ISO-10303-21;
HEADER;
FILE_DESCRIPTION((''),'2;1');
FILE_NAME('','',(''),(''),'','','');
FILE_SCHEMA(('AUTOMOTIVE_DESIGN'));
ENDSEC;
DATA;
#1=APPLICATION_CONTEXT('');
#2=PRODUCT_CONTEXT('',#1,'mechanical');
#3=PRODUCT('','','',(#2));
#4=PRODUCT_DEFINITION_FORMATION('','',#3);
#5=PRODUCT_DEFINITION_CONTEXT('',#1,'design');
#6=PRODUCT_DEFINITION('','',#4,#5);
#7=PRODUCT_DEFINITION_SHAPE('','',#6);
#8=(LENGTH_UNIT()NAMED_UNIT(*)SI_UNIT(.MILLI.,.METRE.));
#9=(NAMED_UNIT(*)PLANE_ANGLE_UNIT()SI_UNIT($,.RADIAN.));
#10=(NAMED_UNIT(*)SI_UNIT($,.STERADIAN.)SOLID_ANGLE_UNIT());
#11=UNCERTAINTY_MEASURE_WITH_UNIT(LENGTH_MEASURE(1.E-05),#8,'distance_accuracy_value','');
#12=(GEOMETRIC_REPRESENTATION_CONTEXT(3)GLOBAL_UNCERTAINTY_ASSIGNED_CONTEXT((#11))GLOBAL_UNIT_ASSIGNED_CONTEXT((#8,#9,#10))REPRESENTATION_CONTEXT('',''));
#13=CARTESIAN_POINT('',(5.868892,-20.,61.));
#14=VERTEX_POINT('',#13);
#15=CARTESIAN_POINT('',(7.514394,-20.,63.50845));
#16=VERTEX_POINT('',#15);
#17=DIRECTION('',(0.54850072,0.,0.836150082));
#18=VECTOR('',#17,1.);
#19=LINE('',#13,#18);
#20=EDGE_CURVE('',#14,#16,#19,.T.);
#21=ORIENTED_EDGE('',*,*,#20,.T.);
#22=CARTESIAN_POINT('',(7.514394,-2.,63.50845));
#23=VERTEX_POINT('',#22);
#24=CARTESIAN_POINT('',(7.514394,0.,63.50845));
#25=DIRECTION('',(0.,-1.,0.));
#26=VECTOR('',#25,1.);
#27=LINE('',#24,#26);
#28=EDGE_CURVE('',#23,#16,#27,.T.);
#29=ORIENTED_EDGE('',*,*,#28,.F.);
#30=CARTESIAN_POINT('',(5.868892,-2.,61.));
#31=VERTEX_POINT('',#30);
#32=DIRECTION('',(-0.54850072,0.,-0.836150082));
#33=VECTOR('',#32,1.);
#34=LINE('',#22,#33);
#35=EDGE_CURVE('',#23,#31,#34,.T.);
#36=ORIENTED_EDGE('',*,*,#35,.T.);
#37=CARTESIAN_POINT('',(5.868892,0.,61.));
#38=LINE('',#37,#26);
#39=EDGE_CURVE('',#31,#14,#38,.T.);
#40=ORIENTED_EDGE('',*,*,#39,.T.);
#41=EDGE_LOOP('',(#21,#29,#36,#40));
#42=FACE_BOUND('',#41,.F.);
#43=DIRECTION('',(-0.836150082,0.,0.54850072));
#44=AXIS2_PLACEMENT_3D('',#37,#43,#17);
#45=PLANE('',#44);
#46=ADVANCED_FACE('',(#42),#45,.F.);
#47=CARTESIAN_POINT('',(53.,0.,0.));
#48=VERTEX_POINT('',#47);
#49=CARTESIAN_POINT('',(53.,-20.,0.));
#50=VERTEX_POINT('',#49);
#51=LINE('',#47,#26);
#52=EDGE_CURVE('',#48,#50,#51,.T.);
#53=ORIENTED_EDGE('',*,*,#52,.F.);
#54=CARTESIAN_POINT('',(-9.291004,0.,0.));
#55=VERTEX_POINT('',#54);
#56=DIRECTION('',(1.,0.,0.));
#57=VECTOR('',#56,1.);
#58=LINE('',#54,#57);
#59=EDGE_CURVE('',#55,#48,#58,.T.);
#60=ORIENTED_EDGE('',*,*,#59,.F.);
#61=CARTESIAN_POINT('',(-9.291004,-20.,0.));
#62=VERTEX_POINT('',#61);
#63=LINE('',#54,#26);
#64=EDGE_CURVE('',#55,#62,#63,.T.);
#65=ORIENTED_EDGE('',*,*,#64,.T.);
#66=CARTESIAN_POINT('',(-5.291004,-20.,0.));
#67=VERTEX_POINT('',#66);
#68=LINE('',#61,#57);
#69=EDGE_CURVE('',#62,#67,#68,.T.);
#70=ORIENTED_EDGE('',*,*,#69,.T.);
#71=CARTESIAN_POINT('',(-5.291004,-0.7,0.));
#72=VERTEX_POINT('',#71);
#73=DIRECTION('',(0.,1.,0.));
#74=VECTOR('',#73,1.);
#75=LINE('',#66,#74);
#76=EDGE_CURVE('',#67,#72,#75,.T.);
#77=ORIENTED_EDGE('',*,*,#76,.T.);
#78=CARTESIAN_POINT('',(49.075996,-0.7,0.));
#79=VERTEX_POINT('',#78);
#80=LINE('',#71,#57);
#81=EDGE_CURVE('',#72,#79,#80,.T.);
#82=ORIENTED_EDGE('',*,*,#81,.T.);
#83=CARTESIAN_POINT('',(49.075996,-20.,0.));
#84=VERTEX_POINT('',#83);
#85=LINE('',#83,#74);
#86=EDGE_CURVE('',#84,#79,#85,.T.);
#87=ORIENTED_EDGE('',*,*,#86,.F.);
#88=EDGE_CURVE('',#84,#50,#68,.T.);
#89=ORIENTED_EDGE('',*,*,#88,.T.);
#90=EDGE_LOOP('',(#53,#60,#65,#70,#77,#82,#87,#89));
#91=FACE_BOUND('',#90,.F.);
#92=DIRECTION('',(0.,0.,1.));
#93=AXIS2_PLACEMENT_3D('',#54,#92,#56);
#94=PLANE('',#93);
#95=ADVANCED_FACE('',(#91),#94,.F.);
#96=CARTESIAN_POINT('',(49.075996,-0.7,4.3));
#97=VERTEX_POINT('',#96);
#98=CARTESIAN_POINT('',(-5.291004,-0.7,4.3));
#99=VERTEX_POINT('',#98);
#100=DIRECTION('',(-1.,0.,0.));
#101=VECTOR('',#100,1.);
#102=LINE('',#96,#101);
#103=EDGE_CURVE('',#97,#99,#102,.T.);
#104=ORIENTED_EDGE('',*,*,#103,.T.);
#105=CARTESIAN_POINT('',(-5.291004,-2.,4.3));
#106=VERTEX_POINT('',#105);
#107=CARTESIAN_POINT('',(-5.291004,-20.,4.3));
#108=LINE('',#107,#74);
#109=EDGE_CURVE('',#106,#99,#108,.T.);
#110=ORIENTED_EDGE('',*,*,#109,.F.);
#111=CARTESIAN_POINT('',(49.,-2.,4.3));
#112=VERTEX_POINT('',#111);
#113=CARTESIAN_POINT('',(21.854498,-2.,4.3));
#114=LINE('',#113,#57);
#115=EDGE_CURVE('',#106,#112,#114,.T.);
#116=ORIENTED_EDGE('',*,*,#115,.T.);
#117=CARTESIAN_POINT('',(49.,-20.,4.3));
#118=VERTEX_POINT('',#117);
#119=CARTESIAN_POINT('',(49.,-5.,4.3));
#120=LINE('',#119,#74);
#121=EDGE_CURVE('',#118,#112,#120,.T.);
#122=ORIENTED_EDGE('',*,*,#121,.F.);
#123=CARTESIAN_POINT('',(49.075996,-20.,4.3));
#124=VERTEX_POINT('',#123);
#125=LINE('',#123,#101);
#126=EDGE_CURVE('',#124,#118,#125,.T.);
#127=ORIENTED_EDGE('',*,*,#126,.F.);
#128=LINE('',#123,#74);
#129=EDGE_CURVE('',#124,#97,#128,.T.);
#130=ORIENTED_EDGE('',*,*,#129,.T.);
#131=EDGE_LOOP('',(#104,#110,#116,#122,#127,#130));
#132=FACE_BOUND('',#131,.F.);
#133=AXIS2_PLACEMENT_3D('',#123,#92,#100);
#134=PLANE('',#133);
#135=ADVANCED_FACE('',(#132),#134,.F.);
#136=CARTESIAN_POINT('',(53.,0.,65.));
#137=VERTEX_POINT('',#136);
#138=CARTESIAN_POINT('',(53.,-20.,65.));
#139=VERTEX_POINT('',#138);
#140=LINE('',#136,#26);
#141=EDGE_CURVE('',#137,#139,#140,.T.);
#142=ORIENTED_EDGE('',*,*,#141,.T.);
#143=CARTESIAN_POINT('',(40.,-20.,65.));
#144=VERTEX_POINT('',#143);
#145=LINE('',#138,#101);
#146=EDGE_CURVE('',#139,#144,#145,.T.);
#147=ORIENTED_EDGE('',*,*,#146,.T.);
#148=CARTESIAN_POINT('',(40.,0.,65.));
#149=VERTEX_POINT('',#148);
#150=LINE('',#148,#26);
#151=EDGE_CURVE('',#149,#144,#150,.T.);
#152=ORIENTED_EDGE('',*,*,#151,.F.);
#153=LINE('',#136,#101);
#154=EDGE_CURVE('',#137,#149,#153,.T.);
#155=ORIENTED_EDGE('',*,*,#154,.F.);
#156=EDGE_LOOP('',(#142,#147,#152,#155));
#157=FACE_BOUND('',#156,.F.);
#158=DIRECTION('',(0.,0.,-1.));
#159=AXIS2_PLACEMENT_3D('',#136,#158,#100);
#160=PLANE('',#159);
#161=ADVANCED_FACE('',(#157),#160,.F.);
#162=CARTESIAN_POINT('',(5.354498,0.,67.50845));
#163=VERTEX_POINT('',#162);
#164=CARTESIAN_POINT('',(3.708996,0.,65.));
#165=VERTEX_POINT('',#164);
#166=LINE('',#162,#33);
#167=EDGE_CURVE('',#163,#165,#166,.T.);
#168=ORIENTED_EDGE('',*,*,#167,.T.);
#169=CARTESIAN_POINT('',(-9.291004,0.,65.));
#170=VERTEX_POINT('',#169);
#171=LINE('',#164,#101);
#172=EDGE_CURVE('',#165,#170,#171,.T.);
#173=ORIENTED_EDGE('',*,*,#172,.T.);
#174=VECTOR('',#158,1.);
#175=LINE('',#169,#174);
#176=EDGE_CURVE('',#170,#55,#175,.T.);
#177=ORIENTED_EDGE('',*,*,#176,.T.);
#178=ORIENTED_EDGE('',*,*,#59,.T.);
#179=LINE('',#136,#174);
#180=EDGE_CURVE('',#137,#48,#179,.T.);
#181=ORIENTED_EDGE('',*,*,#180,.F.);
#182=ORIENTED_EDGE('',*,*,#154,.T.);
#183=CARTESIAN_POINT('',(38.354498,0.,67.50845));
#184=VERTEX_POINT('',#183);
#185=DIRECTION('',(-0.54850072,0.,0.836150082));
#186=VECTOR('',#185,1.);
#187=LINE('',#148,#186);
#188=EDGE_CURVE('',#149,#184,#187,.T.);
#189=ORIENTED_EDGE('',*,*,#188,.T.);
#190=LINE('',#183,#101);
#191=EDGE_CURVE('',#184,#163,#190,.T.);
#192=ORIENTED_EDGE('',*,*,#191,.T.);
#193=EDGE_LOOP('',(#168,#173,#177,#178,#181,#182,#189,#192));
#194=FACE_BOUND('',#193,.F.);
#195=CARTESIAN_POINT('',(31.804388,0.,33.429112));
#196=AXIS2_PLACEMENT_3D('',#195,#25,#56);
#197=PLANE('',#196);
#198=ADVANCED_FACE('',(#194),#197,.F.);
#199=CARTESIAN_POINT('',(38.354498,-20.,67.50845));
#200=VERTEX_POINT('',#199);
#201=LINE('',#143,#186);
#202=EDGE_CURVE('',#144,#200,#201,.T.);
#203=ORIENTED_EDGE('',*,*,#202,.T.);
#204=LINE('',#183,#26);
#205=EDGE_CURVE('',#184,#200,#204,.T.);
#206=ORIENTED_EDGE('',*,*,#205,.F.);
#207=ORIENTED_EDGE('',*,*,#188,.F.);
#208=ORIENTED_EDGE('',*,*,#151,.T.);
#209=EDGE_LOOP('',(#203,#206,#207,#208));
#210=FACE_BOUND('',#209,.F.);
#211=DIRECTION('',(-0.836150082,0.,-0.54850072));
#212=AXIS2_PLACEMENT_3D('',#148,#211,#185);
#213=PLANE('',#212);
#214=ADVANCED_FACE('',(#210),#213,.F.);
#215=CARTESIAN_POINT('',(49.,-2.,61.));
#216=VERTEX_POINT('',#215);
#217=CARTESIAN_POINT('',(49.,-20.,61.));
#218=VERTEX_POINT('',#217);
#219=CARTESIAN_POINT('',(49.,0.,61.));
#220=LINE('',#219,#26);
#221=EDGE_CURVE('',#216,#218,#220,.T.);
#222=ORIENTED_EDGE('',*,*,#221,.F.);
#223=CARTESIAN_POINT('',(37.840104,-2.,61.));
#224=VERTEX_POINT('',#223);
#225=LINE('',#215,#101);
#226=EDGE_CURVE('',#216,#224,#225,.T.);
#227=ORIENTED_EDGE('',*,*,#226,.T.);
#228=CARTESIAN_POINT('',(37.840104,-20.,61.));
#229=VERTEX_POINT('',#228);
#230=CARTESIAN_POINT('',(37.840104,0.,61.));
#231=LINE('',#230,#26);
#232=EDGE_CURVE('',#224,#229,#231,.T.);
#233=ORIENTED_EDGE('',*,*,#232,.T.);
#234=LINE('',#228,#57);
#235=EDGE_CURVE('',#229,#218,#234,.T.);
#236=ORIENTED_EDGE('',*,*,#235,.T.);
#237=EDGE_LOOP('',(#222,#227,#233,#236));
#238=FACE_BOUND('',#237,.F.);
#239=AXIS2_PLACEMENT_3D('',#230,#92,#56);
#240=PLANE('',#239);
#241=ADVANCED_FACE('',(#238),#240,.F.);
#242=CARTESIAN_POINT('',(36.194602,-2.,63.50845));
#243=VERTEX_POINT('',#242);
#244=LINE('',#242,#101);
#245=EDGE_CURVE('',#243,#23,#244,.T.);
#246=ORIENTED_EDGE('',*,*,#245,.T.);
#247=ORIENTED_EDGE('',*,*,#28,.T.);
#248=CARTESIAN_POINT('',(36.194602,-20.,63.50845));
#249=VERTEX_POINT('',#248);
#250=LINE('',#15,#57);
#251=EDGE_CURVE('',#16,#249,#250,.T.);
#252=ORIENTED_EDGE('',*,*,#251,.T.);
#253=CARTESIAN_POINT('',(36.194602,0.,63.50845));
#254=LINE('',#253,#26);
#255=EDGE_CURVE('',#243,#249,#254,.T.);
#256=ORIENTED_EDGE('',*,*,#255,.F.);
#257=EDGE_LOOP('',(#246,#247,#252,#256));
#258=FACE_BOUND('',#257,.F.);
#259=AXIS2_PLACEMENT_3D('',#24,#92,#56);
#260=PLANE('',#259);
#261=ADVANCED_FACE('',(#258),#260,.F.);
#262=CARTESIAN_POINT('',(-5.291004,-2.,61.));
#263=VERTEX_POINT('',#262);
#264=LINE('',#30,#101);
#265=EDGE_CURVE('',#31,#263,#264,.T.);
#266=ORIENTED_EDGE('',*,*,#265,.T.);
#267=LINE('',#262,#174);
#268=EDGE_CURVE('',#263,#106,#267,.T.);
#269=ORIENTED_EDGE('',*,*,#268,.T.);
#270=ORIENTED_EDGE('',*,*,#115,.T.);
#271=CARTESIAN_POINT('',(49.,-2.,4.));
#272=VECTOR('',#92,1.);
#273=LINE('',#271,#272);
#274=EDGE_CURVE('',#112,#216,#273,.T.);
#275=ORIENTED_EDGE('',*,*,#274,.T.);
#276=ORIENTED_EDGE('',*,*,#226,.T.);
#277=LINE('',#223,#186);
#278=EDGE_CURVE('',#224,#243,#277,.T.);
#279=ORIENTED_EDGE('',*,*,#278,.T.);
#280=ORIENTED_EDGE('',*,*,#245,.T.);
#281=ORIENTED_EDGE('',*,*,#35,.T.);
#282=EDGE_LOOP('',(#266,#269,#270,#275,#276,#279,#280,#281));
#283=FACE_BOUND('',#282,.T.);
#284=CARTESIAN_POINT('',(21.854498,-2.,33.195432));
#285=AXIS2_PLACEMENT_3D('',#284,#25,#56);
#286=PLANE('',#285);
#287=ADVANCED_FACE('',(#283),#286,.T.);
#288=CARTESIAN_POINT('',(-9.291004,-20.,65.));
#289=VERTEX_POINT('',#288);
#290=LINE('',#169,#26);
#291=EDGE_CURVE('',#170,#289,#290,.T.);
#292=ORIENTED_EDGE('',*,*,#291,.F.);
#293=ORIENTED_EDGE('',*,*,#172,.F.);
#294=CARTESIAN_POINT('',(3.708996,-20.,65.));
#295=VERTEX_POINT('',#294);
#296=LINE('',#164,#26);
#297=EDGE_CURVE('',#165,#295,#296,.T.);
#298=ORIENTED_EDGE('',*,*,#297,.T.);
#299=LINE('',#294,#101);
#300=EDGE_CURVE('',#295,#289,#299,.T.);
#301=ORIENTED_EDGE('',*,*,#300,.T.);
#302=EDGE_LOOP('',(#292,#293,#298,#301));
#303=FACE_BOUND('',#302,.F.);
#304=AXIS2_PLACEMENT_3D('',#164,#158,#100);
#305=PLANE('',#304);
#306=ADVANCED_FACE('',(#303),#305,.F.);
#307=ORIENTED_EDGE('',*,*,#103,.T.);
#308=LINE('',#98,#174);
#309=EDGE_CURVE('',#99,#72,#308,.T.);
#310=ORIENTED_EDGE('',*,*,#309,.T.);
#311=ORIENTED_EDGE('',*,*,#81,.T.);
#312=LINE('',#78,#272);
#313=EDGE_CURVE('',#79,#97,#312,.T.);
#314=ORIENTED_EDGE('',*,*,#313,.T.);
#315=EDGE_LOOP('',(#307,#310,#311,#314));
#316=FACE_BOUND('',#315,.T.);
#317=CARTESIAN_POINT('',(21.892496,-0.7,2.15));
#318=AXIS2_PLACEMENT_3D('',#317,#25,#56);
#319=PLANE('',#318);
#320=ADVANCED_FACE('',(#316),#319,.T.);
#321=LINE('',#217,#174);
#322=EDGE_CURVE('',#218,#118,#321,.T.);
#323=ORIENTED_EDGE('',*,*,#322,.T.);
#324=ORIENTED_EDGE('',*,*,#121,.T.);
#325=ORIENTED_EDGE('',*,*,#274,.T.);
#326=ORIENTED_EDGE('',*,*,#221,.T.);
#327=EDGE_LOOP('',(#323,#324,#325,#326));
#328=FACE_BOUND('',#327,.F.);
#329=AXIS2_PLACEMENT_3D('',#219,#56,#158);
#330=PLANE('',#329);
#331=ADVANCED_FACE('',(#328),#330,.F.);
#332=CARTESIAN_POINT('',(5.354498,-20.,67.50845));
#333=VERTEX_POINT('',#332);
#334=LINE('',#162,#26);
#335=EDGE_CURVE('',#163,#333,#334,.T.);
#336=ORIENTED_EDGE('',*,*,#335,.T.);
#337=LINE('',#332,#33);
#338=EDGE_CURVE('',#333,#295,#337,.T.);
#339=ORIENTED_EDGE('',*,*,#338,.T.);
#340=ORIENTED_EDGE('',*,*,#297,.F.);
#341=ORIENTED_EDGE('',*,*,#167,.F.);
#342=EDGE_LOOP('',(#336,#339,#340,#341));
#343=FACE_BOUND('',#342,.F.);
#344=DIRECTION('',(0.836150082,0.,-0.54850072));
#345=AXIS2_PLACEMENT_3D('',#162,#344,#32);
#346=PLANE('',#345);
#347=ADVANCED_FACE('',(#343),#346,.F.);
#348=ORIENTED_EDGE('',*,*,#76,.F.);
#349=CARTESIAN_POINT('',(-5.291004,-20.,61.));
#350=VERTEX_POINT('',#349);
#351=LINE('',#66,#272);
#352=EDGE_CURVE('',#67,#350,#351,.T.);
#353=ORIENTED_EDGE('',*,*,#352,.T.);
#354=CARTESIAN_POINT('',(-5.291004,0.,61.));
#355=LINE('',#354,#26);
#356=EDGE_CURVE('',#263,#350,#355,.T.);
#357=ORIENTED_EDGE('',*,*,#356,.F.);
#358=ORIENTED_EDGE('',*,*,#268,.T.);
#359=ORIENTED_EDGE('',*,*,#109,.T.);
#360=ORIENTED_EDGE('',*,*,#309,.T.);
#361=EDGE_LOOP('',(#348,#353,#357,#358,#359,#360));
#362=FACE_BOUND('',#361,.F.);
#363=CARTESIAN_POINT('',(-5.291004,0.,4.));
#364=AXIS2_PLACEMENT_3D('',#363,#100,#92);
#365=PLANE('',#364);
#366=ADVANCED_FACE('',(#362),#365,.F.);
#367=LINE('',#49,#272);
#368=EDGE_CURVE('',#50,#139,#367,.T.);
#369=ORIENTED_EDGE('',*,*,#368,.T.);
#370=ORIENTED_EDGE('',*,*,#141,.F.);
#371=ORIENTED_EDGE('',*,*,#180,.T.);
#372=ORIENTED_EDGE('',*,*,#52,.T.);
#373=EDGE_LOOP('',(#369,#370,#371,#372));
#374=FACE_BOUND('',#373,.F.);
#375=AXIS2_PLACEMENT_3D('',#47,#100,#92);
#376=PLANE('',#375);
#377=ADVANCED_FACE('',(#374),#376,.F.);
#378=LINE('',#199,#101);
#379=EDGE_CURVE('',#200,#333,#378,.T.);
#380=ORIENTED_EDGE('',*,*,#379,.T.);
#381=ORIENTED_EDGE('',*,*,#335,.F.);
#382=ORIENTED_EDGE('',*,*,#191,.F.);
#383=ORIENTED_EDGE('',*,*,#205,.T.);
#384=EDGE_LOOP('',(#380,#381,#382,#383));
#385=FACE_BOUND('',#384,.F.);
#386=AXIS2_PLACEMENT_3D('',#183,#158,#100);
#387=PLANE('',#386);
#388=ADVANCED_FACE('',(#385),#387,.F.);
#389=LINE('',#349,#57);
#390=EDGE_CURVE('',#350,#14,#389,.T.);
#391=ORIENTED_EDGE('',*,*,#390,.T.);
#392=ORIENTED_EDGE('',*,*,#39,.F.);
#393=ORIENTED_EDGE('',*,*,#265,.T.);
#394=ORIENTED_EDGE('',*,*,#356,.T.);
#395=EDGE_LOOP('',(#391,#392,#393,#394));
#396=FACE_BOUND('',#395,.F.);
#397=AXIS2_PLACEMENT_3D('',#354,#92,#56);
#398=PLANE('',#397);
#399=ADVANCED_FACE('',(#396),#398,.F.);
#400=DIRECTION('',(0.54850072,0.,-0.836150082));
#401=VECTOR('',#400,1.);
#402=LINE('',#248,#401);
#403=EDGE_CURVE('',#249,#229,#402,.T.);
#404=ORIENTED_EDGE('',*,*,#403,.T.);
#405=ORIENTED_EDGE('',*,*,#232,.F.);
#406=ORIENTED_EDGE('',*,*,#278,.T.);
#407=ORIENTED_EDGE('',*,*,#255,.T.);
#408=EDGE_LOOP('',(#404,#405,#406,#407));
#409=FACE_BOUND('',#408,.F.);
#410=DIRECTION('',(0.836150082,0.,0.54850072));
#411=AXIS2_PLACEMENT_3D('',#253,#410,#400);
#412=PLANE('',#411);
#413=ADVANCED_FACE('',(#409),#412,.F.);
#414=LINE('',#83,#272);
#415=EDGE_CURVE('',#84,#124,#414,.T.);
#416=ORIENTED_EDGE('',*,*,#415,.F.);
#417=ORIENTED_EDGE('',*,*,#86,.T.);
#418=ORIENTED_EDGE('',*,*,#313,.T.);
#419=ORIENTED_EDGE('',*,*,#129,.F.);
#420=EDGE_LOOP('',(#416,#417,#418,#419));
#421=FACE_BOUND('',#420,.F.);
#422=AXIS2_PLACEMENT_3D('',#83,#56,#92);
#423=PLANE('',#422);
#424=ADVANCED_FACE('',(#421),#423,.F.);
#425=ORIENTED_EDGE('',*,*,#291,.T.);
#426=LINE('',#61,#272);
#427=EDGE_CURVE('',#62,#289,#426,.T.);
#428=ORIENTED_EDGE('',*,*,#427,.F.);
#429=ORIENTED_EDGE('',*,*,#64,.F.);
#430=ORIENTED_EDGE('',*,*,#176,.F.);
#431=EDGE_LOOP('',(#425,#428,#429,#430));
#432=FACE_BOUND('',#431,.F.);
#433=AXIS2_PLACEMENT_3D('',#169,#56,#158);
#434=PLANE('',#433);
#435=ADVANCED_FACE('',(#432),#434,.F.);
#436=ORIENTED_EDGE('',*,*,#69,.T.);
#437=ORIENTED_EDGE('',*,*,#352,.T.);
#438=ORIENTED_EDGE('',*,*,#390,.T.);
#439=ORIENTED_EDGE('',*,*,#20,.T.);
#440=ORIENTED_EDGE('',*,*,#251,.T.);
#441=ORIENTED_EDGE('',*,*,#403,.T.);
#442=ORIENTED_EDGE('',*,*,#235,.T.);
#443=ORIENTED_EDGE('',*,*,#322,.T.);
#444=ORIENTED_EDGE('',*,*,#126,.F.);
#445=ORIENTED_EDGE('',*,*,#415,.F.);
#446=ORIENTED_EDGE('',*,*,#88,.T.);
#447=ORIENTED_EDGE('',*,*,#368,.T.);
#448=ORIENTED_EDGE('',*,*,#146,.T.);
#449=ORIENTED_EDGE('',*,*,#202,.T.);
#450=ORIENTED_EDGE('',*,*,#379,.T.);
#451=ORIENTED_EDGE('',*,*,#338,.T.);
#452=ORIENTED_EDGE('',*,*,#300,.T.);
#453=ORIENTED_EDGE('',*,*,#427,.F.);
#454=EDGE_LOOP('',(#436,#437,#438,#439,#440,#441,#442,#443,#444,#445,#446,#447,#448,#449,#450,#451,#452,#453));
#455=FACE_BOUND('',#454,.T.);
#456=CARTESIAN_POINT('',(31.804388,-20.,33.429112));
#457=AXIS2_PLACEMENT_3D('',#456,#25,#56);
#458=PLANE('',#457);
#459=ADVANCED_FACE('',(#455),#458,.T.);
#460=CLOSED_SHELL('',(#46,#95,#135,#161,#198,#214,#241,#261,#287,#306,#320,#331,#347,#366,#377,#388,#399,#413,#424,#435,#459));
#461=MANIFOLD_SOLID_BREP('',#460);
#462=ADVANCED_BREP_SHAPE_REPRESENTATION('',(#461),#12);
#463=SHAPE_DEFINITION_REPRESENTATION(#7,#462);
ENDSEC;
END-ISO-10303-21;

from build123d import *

# Parameters (mm, degrees)
F2_DEPTH  = 2
F0_W      = 4
F0_H      = 4
F0_H_2    = 57
F3_DEPTH  = 20
F3_FACE_W = 62.291004
F3_FACE_H = 20
F4_DEPTH  = 4.3
F5_DEPTH  = 4
F7_DEPTH  = 19.3


with BuildPart() as f2:
    # F0 (on Front) → F2 (new body)
    with BuildSketch(Plane.XZ):
        Polygon((-5.291004, 61), (-5.291004, 4), (0, 4), (49, 4), (49, 61), (37.840104, 61), (36.194602, 63.50845), (7.514394, 63.50845), (5.868892, 61), align=None)
    extrude(amount=F2_DEPTH)

    # F0 (on Front) → F3 (join)
    with BuildSketch(Plane.XZ):
        Polygon((-5.291004, 0), (0, 0), (53, 0), (53, 65), (40, 65), (38.354498, 67.50845), (5.354498, 67.50845), (3.708996, 65), (-5.291004, 65), (-5.291004, 61), (5.868892, 61), (7.514394, 63.50845), (36.194602, 63.50845), (37.840104, 61), (49, 61), (49, 4), (0, 4), (-5.291004, 4), align=None)
        with Locations((-7.291004, 2)):
            Rectangle(F0_W, F0_H)
        with Locations((-7.291004, 32.5)):
            Rectangle(F0_W, F0_H_2)
        with Locations((-7.291004, 63)):
            Rectangle(F0_W, F0_H)
    extrude(amount=F3_DEPTH)

    # F3_face (on face) → F4 (join)
    with BuildSketch(Plane(origin=(21.854498, -10, 0), x_dir=(1, 0, 0), z_dir=(0, 0, -1))):
        Rectangle(F3_FACE_W, F3_FACE_H)
    extrude(amount=-F4_DEPTH)

    # F3_face (on face) → F5 (join)
    with BuildSketch(Plane(origin=(21.854498, -10, 0), x_dir=(1, 0, 0), z_dir=(0, 0, -1))):
        Rectangle(F3_FACE_W, F3_FACE_H)
    extrude(amount=-F5_DEPTH)

    # F6 (on face) → F7 (cut)
    with BuildSketch(Plane.XZ.offset(20)):
        Polygon((49, 4.3), (-5.291004, 4.3), (-5.291004, 0), (49.075996, 0), (49.075996, 4.3), align=None)
    extrude(amount=-F7_DEPTH, mode=Mode.SUBTRACT)


solid = f2.part
